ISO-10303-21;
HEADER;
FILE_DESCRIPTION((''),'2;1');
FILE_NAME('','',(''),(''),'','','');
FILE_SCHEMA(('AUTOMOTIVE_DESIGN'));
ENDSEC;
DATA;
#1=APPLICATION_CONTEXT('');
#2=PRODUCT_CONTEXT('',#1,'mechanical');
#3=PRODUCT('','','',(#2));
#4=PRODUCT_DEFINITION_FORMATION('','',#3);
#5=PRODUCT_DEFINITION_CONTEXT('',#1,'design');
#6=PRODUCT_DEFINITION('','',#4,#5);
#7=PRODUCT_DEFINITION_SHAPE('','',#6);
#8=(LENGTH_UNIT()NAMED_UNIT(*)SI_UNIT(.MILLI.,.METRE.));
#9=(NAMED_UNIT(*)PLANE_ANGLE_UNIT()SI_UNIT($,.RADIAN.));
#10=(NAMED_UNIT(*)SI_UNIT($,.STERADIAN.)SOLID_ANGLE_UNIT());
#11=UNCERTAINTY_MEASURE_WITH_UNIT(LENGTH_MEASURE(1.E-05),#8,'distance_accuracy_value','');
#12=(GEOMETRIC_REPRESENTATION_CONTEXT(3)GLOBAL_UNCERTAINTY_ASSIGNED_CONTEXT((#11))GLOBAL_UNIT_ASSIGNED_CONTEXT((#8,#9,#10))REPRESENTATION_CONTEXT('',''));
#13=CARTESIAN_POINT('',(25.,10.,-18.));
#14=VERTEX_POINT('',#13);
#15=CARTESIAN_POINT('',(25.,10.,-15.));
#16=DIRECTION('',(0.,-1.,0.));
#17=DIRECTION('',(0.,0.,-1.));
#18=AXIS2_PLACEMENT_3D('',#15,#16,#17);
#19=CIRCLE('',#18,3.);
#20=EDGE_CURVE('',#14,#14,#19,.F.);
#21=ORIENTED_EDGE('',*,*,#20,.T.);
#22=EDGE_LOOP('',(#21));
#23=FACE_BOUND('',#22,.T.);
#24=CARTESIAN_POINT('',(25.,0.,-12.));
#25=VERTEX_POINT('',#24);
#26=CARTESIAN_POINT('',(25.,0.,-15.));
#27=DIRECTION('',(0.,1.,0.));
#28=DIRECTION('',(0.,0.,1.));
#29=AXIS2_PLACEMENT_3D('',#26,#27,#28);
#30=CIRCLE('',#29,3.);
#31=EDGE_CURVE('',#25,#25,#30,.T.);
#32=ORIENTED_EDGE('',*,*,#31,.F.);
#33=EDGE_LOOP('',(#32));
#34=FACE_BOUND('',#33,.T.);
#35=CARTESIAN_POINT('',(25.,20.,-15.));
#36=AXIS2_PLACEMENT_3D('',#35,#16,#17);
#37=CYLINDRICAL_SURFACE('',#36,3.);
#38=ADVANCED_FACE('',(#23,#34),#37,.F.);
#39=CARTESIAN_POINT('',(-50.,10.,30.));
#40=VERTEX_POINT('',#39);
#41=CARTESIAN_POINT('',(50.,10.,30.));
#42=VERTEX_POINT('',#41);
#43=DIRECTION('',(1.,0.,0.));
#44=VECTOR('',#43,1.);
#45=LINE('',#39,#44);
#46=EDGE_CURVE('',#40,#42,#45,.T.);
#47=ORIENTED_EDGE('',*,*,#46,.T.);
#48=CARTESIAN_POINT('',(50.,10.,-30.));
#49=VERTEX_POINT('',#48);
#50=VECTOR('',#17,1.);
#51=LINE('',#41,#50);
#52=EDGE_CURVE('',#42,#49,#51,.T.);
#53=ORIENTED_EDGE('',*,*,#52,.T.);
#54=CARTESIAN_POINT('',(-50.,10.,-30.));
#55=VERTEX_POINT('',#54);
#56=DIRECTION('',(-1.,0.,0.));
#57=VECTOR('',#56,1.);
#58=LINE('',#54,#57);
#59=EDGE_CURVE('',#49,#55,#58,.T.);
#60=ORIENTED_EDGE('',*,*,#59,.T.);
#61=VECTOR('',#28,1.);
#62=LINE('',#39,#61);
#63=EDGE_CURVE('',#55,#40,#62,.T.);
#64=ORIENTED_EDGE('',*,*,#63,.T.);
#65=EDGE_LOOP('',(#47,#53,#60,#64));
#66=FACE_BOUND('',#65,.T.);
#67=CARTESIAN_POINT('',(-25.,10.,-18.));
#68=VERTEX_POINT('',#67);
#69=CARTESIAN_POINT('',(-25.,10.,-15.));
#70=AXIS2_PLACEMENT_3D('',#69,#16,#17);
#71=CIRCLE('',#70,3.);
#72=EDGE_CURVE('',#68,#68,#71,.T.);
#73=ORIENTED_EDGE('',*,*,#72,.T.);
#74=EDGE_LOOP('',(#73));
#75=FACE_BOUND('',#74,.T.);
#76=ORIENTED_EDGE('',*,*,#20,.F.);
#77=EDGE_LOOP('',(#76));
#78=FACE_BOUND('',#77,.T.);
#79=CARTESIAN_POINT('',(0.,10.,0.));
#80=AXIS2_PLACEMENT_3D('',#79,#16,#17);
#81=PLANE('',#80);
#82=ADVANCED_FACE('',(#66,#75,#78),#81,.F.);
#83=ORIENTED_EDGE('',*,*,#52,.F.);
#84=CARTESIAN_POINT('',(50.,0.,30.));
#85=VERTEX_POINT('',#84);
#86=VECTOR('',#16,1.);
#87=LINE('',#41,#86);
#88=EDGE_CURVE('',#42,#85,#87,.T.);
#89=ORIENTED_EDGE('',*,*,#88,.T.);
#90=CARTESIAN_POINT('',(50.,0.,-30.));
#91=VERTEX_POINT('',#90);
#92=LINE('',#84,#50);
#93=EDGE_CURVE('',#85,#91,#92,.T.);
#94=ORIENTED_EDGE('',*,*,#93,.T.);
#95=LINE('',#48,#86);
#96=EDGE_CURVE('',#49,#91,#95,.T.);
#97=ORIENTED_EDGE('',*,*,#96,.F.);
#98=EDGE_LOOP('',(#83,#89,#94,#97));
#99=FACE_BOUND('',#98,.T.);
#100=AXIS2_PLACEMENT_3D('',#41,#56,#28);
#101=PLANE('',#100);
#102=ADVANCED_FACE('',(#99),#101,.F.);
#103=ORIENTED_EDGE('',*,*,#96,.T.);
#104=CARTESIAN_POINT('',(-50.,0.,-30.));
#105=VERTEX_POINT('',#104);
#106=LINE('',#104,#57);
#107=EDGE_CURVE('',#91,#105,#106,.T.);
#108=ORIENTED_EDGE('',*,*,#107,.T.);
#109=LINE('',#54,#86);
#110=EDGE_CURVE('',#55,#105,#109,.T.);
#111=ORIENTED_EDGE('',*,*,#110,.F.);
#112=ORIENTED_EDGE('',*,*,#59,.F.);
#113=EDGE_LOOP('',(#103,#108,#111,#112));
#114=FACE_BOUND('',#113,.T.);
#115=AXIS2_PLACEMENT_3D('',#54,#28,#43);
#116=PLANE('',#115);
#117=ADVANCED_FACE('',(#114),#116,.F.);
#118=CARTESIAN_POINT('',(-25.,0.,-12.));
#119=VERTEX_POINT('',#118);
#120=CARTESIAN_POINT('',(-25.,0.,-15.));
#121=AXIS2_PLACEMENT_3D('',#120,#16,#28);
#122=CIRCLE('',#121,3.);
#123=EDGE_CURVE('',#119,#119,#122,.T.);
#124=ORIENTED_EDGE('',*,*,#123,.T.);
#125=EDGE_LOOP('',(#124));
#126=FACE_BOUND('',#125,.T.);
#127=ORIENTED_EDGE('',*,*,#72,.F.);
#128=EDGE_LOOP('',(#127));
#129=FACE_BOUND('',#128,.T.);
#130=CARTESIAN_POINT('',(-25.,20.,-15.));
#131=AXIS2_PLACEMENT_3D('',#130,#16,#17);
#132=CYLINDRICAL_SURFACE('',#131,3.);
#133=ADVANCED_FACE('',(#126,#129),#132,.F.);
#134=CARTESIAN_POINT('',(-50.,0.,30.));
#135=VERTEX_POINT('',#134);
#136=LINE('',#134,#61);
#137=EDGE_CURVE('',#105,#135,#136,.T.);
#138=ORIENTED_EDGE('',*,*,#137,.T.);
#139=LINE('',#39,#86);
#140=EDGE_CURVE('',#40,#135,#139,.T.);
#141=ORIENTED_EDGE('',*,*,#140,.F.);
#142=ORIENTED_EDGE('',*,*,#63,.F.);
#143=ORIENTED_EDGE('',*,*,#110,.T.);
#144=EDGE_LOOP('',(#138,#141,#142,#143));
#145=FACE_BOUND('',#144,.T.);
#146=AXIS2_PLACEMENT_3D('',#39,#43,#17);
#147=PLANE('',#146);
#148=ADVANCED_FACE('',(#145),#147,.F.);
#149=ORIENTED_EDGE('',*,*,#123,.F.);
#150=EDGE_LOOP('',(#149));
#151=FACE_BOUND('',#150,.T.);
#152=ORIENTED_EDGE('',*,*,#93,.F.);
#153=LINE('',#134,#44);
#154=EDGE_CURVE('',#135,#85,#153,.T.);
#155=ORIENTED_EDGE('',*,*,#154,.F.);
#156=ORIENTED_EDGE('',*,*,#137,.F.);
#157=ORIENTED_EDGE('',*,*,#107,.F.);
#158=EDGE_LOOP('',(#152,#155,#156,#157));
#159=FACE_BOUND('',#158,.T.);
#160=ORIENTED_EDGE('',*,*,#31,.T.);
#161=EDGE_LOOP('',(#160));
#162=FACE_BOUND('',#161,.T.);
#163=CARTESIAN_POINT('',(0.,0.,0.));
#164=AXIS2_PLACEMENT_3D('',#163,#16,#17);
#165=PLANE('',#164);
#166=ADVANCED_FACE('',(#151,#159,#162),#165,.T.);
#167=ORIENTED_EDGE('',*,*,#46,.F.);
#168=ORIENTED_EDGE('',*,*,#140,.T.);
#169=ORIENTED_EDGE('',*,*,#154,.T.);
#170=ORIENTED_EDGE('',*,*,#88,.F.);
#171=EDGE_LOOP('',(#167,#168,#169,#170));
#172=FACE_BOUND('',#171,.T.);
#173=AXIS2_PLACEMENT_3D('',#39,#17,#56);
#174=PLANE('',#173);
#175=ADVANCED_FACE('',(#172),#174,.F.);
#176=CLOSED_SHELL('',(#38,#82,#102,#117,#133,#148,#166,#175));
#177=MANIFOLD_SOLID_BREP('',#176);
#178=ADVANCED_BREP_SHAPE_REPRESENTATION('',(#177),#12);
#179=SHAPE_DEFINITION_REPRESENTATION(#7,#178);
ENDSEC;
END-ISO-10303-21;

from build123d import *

# Parameters (mm, degrees)
SKETCH_1_W          = 100
SKETCH_1_H          = 60
EXTRUDE_1_DEPTH     = 10
SKETCH_2_R          = 3
CUT_EXTRUDE_1_DEPTH = 20


with BuildPart() as part:
    # 草图1 → 凸台-拉伸1 (new body)
    with BuildSketch(Plane(origin=(0, 0, 0), x_dir=(1, 0, 0), z_dir=(0, 1, 0))):
        Rectangle(SKETCH_1_W, SKETCH_1_H)
    extrude(amount=EXTRUDE_1_DEPTH)

    # 草图2 → 切除-拉伸1 (cut)
    with BuildSketch(Plane(origin=(0, 0, 0), x_dir=(1, 0, 0), z_dir=(0, 1, 0))):
        with Locations(Location((25, 15, 0), (0, 0, 90))):
            Circle(SKETCH_2_R)
    cut_extrude_1 = extrude(amount=CUT_EXTRUDE_1_DEPTH, mode=Mode.SUBTRACT)

    # 镜向1: 切除-拉伸1 across plane
    add(cut_extrude_1.mirror(Plane(origin=(0, 0, 0), x_dir=(0, 0, 1), z_dir=(1, 0, 0))), mode=Mode.SUBTRACT)


solid = part.part
